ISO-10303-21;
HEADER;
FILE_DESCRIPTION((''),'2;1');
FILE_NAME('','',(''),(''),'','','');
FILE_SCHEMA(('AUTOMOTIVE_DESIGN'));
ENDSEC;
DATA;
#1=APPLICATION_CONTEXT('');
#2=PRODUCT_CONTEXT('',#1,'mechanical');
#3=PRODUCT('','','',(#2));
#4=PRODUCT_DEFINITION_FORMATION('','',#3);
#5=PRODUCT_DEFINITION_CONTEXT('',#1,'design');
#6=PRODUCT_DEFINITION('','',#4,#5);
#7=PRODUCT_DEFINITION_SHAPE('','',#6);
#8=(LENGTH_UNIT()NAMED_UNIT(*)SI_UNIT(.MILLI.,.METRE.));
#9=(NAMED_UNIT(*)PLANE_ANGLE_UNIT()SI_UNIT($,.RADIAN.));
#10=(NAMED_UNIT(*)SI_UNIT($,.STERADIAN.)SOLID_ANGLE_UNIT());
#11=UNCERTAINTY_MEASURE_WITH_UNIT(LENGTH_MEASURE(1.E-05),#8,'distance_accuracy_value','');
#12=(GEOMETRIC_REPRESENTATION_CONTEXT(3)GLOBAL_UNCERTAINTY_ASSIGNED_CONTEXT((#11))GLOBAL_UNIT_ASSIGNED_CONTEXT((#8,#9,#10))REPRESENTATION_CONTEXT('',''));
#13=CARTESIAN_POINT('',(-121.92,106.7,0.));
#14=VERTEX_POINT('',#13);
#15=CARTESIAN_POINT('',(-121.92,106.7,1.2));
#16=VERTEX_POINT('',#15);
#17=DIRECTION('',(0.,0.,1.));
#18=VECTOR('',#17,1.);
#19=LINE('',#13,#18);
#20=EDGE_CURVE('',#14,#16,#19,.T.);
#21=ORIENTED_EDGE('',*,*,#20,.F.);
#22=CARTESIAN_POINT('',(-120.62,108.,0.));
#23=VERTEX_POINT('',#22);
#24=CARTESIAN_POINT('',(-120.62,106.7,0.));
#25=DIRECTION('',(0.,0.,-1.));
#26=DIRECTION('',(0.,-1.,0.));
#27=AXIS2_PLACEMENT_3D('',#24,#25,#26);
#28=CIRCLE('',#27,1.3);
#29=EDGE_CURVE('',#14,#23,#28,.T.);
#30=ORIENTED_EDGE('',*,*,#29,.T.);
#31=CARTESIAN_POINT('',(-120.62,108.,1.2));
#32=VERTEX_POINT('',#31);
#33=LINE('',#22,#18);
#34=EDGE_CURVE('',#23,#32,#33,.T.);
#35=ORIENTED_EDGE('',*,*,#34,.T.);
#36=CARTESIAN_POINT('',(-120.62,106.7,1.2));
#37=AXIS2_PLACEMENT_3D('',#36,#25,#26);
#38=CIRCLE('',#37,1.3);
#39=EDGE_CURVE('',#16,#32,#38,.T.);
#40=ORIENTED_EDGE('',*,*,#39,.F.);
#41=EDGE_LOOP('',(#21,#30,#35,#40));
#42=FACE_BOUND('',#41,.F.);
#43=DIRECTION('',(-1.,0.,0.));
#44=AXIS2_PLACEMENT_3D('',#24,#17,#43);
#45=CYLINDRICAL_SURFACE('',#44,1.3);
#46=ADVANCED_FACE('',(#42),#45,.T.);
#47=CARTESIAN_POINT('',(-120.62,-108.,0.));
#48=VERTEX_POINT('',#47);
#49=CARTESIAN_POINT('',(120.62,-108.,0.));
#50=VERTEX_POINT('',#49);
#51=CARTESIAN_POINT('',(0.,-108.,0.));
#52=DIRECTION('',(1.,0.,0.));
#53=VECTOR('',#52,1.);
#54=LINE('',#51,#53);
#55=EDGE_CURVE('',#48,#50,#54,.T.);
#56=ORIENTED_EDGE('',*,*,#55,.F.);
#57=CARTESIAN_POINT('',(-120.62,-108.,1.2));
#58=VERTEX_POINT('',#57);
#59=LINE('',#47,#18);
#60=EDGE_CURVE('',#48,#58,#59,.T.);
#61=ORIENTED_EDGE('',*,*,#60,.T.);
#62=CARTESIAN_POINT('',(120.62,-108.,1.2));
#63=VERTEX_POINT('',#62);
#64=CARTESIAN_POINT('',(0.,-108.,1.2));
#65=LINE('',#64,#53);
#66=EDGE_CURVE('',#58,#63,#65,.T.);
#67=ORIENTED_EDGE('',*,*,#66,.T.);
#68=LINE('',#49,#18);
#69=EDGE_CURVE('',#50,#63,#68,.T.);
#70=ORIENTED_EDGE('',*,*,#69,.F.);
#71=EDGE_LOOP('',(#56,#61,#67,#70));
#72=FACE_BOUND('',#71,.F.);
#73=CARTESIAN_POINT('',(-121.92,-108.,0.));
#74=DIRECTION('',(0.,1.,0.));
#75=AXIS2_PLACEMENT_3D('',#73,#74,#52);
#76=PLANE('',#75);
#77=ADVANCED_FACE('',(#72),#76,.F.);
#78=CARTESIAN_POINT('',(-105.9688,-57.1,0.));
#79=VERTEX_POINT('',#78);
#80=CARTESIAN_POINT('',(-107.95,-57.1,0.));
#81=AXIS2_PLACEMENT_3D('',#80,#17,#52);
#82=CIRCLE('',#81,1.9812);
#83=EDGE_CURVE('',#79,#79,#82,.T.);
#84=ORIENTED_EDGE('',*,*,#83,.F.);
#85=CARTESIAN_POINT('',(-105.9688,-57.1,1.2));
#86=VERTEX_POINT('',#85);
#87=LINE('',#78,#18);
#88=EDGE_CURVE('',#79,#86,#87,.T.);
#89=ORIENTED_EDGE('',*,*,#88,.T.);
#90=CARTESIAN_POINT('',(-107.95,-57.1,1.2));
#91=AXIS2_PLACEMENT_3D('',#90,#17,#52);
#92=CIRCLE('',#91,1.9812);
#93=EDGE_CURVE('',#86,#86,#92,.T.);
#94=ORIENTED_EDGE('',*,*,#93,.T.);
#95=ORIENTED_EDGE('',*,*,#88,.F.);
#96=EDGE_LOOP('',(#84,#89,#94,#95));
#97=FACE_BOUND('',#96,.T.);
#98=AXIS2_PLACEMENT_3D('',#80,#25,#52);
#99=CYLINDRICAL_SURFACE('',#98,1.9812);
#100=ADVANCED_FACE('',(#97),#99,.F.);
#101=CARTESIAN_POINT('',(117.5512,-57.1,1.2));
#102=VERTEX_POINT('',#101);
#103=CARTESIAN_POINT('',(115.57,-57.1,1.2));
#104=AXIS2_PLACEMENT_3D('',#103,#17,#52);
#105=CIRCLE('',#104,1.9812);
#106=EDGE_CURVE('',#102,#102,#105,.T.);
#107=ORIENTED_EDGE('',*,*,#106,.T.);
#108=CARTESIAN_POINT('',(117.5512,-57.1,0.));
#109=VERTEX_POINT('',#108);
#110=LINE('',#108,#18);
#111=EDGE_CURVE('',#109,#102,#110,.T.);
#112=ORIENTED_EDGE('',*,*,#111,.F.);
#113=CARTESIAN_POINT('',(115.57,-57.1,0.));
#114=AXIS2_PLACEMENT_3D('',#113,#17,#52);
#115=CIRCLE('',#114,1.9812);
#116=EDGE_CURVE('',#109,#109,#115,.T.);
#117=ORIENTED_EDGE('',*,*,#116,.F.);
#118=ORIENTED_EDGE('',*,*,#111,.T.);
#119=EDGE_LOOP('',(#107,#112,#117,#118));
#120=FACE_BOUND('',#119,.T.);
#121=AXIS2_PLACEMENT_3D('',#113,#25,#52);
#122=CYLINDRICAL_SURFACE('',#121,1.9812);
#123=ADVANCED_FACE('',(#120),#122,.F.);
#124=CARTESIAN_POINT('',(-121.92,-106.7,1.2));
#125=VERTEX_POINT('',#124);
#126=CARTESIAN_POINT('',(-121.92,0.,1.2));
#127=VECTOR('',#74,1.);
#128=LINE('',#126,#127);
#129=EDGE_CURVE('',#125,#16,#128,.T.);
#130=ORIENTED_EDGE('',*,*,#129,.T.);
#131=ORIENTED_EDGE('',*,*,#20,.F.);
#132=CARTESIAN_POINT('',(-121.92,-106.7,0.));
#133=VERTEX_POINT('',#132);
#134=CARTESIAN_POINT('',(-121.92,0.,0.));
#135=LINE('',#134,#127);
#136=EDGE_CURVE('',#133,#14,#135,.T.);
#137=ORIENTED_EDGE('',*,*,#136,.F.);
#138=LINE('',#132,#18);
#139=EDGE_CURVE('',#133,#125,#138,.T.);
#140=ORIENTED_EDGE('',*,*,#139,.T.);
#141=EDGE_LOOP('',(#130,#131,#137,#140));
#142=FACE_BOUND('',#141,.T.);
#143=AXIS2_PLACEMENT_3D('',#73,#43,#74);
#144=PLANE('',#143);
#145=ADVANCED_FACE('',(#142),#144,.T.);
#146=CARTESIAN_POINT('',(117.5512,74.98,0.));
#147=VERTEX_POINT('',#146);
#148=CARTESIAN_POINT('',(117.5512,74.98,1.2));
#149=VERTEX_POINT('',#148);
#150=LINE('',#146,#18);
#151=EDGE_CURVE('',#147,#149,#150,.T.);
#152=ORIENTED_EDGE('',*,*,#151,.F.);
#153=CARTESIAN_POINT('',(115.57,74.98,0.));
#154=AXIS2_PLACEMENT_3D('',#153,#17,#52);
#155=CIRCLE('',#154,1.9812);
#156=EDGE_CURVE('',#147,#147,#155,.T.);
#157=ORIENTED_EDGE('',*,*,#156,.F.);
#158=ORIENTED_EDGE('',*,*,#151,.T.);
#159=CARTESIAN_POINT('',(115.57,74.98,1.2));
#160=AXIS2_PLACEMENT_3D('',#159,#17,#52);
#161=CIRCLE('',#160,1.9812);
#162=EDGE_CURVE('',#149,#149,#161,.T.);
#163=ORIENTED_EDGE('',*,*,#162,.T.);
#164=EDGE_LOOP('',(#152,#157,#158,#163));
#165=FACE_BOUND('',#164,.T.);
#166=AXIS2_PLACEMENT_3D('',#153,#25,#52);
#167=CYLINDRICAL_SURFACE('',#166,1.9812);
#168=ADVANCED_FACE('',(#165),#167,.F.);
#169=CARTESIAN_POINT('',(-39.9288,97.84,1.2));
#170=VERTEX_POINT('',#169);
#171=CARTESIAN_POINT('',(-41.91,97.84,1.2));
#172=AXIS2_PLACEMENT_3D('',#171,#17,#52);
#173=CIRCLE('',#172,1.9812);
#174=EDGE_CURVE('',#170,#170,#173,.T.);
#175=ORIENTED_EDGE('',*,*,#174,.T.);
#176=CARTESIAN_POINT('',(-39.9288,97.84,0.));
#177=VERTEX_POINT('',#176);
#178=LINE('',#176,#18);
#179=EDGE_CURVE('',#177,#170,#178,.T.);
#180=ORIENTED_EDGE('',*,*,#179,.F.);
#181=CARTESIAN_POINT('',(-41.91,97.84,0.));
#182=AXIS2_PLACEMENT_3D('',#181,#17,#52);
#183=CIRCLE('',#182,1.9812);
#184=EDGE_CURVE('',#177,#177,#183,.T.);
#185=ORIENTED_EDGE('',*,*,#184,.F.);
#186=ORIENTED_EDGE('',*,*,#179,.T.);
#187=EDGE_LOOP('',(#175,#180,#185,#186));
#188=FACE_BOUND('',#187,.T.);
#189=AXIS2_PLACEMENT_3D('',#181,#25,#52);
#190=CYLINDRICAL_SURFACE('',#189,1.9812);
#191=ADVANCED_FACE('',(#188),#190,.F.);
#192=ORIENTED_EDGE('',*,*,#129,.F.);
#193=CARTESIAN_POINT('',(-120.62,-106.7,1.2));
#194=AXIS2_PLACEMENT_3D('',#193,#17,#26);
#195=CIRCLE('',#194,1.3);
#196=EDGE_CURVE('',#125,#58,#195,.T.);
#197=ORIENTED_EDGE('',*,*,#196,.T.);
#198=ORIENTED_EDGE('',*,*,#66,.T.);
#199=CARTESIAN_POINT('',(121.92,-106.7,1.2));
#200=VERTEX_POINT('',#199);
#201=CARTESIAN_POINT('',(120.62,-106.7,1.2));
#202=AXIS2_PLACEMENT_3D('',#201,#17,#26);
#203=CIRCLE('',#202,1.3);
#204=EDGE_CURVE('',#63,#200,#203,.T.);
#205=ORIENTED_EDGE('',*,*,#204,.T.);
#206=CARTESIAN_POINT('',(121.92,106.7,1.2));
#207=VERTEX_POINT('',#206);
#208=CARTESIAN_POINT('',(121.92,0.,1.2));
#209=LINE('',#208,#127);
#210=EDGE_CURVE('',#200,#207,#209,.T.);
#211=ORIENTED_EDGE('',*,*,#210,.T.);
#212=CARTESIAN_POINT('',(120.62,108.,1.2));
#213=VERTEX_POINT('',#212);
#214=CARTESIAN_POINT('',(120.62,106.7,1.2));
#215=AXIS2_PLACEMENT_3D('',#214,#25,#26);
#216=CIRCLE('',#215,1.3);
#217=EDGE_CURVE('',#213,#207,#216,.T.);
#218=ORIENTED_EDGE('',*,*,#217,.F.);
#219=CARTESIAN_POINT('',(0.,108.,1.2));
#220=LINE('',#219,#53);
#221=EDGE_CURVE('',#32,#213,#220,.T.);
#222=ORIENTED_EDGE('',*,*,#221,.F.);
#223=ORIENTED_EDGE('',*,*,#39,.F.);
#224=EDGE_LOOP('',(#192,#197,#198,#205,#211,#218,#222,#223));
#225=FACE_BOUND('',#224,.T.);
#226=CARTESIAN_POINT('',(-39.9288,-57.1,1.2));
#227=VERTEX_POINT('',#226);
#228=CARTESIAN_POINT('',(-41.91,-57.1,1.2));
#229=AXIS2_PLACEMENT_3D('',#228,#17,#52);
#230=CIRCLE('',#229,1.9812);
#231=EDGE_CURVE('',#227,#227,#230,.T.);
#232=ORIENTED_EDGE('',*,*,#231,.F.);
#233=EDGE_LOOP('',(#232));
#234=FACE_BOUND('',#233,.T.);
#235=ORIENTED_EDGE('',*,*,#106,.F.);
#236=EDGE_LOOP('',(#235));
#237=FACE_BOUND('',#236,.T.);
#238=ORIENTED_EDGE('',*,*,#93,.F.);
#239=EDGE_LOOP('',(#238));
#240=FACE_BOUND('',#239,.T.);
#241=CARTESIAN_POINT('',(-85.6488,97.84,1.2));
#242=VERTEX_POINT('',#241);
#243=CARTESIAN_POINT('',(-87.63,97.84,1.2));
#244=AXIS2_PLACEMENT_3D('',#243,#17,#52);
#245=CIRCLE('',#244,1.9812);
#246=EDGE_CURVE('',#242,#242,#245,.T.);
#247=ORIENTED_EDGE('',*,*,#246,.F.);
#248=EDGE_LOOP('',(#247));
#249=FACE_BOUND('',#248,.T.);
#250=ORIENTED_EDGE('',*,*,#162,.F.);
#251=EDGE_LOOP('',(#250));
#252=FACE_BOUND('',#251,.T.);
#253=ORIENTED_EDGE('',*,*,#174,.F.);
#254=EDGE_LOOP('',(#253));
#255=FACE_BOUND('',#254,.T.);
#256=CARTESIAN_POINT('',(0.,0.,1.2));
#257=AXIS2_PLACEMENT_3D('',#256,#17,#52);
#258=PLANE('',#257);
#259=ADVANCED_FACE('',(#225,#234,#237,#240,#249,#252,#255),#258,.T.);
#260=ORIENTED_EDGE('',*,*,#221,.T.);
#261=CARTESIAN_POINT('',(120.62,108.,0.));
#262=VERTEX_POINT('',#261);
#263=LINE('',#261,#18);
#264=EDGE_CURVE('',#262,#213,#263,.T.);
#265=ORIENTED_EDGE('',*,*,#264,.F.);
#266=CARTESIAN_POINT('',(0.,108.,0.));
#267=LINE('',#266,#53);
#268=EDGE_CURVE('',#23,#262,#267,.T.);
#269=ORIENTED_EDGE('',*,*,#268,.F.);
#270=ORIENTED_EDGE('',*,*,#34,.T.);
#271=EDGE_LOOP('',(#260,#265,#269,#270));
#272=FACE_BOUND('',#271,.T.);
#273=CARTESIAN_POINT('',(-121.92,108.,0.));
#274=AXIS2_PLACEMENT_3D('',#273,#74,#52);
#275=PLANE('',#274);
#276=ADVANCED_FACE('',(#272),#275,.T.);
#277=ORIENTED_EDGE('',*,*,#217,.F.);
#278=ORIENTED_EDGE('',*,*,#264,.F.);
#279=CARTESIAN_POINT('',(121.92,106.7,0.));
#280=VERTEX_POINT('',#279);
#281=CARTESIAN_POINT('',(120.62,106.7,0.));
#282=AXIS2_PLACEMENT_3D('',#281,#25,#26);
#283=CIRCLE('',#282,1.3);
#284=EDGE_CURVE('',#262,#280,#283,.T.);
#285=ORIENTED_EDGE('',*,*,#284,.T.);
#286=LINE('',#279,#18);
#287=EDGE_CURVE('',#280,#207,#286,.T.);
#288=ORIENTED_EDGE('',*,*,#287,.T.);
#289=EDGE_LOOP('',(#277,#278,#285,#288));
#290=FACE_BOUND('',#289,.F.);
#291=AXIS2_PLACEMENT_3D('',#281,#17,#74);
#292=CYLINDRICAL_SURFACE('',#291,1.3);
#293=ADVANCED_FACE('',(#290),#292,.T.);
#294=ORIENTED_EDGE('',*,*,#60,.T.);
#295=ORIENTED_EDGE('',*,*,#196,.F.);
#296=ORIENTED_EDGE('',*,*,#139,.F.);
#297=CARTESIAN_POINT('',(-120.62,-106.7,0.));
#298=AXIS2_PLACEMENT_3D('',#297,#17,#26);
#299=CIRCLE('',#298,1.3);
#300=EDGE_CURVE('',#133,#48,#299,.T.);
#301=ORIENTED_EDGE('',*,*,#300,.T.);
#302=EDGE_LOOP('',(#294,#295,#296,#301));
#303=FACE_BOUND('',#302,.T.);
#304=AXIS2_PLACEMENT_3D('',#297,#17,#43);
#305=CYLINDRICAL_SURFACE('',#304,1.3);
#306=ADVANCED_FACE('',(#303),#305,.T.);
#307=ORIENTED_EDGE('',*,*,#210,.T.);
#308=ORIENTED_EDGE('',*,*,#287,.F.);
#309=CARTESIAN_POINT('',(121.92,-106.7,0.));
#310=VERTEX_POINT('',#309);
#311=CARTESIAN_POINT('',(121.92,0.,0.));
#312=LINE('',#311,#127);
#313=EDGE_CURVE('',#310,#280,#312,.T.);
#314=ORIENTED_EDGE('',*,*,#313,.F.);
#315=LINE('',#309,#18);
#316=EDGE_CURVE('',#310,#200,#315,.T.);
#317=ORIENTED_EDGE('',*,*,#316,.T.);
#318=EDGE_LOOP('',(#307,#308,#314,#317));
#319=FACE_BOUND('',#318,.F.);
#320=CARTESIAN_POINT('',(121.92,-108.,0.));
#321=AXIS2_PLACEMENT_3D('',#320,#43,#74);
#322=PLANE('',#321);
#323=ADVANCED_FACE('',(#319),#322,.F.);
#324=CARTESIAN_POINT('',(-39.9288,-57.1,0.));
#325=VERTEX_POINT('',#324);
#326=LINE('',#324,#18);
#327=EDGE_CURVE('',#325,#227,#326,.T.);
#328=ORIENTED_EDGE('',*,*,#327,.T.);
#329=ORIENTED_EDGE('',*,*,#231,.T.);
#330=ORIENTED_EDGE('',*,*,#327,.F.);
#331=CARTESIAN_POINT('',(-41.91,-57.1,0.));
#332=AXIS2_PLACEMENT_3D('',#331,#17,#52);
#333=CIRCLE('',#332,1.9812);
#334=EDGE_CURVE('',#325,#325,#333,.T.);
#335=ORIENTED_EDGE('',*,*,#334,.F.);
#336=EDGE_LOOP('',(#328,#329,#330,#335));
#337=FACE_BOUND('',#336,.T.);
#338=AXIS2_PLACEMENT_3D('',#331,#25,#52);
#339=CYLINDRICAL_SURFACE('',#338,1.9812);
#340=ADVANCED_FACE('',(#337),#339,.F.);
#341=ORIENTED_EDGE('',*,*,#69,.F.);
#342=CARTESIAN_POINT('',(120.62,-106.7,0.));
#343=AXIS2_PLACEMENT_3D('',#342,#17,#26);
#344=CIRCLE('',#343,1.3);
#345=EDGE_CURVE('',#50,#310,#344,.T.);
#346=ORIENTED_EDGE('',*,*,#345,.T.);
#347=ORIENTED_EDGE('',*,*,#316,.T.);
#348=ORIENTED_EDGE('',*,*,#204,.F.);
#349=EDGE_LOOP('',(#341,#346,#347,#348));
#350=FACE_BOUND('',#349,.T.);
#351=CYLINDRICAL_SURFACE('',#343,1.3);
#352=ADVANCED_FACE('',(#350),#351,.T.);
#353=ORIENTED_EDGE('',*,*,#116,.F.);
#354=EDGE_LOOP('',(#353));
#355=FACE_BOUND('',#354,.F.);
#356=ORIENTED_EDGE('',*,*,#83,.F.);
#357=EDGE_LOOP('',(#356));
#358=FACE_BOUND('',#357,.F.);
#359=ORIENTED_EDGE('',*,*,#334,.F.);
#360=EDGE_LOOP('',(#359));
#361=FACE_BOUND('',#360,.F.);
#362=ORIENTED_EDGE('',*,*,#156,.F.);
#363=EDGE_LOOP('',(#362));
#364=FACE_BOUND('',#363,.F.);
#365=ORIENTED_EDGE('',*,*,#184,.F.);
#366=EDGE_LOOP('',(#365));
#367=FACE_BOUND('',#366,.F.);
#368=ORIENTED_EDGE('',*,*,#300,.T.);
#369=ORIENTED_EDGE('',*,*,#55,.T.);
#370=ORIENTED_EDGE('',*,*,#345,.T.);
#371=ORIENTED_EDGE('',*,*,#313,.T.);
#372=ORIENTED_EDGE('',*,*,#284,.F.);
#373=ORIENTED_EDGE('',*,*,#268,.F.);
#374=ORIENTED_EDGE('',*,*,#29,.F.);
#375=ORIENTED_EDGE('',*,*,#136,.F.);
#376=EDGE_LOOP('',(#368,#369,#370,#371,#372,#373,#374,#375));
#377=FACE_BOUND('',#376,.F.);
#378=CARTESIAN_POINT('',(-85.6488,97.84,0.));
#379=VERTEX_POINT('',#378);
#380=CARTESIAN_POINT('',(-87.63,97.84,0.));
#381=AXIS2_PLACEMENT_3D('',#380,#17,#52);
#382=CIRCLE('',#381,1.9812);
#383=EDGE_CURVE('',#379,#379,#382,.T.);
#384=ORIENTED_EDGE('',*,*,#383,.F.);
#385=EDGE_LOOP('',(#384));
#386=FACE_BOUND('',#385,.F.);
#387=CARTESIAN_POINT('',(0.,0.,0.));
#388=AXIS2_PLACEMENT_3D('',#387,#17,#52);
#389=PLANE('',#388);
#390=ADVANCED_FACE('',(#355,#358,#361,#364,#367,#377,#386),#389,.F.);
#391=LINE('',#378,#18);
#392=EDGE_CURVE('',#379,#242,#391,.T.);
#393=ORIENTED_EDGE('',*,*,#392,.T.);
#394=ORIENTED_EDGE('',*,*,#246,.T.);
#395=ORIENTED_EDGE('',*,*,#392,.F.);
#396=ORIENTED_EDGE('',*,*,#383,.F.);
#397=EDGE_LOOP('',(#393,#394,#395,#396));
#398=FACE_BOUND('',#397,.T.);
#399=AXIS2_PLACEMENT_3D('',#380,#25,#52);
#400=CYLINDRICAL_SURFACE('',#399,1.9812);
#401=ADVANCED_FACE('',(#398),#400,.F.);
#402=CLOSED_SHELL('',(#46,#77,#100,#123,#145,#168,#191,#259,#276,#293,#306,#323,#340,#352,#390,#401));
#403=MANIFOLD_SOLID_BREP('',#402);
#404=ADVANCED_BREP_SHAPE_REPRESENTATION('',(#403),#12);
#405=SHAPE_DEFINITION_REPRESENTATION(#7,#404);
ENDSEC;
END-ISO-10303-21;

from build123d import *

# Parameters (mm, degrees)
F0_W     = 243.84
F0_H     = 216
F0_R     = 1.9812
F1_DEPTH = 1.2
F2_R     = 1.3


with BuildPart() as f1:
    # F0 (on Top) → F1 (new body)
    with BuildSketch(Plane.XY):
        Rectangle(F0_W, F0_H)
        with Locations((-107.95, -57.1)):
            Circle(F0_R, mode=Mode.SUBTRACT)
        with Locations((-41.91, -57.1)):
            Circle(F0_R, mode=Mode.SUBTRACT)
        with Locations((115.57, -57.1)):
            Circle(F0_R, mode=Mode.SUBTRACT)
        with Locations((-87.63, 97.84)):
            Circle(F0_R, mode=Mode.SUBTRACT)
        with Locations((-41.91, 97.84)):
            Circle(F0_R, mode=Mode.SUBTRACT)
        with Locations((115.57, 74.98)):
            Circle(F0_R, mode=Mode.SUBTRACT)
    extrude(amount=F1_DEPTH)

    # F2
    f2_edges = [f1.edges().sort_by_distance(p)[0] for p in [
        (-121.92, -108, 0.6),
        (121.92, -108, 0.6),
        (-121.92, 108, 0.6),
        (121.92, 108, 0.6),
    ]]
    fillet(f2_edges, radius=F2_R)


solid = f1.part
